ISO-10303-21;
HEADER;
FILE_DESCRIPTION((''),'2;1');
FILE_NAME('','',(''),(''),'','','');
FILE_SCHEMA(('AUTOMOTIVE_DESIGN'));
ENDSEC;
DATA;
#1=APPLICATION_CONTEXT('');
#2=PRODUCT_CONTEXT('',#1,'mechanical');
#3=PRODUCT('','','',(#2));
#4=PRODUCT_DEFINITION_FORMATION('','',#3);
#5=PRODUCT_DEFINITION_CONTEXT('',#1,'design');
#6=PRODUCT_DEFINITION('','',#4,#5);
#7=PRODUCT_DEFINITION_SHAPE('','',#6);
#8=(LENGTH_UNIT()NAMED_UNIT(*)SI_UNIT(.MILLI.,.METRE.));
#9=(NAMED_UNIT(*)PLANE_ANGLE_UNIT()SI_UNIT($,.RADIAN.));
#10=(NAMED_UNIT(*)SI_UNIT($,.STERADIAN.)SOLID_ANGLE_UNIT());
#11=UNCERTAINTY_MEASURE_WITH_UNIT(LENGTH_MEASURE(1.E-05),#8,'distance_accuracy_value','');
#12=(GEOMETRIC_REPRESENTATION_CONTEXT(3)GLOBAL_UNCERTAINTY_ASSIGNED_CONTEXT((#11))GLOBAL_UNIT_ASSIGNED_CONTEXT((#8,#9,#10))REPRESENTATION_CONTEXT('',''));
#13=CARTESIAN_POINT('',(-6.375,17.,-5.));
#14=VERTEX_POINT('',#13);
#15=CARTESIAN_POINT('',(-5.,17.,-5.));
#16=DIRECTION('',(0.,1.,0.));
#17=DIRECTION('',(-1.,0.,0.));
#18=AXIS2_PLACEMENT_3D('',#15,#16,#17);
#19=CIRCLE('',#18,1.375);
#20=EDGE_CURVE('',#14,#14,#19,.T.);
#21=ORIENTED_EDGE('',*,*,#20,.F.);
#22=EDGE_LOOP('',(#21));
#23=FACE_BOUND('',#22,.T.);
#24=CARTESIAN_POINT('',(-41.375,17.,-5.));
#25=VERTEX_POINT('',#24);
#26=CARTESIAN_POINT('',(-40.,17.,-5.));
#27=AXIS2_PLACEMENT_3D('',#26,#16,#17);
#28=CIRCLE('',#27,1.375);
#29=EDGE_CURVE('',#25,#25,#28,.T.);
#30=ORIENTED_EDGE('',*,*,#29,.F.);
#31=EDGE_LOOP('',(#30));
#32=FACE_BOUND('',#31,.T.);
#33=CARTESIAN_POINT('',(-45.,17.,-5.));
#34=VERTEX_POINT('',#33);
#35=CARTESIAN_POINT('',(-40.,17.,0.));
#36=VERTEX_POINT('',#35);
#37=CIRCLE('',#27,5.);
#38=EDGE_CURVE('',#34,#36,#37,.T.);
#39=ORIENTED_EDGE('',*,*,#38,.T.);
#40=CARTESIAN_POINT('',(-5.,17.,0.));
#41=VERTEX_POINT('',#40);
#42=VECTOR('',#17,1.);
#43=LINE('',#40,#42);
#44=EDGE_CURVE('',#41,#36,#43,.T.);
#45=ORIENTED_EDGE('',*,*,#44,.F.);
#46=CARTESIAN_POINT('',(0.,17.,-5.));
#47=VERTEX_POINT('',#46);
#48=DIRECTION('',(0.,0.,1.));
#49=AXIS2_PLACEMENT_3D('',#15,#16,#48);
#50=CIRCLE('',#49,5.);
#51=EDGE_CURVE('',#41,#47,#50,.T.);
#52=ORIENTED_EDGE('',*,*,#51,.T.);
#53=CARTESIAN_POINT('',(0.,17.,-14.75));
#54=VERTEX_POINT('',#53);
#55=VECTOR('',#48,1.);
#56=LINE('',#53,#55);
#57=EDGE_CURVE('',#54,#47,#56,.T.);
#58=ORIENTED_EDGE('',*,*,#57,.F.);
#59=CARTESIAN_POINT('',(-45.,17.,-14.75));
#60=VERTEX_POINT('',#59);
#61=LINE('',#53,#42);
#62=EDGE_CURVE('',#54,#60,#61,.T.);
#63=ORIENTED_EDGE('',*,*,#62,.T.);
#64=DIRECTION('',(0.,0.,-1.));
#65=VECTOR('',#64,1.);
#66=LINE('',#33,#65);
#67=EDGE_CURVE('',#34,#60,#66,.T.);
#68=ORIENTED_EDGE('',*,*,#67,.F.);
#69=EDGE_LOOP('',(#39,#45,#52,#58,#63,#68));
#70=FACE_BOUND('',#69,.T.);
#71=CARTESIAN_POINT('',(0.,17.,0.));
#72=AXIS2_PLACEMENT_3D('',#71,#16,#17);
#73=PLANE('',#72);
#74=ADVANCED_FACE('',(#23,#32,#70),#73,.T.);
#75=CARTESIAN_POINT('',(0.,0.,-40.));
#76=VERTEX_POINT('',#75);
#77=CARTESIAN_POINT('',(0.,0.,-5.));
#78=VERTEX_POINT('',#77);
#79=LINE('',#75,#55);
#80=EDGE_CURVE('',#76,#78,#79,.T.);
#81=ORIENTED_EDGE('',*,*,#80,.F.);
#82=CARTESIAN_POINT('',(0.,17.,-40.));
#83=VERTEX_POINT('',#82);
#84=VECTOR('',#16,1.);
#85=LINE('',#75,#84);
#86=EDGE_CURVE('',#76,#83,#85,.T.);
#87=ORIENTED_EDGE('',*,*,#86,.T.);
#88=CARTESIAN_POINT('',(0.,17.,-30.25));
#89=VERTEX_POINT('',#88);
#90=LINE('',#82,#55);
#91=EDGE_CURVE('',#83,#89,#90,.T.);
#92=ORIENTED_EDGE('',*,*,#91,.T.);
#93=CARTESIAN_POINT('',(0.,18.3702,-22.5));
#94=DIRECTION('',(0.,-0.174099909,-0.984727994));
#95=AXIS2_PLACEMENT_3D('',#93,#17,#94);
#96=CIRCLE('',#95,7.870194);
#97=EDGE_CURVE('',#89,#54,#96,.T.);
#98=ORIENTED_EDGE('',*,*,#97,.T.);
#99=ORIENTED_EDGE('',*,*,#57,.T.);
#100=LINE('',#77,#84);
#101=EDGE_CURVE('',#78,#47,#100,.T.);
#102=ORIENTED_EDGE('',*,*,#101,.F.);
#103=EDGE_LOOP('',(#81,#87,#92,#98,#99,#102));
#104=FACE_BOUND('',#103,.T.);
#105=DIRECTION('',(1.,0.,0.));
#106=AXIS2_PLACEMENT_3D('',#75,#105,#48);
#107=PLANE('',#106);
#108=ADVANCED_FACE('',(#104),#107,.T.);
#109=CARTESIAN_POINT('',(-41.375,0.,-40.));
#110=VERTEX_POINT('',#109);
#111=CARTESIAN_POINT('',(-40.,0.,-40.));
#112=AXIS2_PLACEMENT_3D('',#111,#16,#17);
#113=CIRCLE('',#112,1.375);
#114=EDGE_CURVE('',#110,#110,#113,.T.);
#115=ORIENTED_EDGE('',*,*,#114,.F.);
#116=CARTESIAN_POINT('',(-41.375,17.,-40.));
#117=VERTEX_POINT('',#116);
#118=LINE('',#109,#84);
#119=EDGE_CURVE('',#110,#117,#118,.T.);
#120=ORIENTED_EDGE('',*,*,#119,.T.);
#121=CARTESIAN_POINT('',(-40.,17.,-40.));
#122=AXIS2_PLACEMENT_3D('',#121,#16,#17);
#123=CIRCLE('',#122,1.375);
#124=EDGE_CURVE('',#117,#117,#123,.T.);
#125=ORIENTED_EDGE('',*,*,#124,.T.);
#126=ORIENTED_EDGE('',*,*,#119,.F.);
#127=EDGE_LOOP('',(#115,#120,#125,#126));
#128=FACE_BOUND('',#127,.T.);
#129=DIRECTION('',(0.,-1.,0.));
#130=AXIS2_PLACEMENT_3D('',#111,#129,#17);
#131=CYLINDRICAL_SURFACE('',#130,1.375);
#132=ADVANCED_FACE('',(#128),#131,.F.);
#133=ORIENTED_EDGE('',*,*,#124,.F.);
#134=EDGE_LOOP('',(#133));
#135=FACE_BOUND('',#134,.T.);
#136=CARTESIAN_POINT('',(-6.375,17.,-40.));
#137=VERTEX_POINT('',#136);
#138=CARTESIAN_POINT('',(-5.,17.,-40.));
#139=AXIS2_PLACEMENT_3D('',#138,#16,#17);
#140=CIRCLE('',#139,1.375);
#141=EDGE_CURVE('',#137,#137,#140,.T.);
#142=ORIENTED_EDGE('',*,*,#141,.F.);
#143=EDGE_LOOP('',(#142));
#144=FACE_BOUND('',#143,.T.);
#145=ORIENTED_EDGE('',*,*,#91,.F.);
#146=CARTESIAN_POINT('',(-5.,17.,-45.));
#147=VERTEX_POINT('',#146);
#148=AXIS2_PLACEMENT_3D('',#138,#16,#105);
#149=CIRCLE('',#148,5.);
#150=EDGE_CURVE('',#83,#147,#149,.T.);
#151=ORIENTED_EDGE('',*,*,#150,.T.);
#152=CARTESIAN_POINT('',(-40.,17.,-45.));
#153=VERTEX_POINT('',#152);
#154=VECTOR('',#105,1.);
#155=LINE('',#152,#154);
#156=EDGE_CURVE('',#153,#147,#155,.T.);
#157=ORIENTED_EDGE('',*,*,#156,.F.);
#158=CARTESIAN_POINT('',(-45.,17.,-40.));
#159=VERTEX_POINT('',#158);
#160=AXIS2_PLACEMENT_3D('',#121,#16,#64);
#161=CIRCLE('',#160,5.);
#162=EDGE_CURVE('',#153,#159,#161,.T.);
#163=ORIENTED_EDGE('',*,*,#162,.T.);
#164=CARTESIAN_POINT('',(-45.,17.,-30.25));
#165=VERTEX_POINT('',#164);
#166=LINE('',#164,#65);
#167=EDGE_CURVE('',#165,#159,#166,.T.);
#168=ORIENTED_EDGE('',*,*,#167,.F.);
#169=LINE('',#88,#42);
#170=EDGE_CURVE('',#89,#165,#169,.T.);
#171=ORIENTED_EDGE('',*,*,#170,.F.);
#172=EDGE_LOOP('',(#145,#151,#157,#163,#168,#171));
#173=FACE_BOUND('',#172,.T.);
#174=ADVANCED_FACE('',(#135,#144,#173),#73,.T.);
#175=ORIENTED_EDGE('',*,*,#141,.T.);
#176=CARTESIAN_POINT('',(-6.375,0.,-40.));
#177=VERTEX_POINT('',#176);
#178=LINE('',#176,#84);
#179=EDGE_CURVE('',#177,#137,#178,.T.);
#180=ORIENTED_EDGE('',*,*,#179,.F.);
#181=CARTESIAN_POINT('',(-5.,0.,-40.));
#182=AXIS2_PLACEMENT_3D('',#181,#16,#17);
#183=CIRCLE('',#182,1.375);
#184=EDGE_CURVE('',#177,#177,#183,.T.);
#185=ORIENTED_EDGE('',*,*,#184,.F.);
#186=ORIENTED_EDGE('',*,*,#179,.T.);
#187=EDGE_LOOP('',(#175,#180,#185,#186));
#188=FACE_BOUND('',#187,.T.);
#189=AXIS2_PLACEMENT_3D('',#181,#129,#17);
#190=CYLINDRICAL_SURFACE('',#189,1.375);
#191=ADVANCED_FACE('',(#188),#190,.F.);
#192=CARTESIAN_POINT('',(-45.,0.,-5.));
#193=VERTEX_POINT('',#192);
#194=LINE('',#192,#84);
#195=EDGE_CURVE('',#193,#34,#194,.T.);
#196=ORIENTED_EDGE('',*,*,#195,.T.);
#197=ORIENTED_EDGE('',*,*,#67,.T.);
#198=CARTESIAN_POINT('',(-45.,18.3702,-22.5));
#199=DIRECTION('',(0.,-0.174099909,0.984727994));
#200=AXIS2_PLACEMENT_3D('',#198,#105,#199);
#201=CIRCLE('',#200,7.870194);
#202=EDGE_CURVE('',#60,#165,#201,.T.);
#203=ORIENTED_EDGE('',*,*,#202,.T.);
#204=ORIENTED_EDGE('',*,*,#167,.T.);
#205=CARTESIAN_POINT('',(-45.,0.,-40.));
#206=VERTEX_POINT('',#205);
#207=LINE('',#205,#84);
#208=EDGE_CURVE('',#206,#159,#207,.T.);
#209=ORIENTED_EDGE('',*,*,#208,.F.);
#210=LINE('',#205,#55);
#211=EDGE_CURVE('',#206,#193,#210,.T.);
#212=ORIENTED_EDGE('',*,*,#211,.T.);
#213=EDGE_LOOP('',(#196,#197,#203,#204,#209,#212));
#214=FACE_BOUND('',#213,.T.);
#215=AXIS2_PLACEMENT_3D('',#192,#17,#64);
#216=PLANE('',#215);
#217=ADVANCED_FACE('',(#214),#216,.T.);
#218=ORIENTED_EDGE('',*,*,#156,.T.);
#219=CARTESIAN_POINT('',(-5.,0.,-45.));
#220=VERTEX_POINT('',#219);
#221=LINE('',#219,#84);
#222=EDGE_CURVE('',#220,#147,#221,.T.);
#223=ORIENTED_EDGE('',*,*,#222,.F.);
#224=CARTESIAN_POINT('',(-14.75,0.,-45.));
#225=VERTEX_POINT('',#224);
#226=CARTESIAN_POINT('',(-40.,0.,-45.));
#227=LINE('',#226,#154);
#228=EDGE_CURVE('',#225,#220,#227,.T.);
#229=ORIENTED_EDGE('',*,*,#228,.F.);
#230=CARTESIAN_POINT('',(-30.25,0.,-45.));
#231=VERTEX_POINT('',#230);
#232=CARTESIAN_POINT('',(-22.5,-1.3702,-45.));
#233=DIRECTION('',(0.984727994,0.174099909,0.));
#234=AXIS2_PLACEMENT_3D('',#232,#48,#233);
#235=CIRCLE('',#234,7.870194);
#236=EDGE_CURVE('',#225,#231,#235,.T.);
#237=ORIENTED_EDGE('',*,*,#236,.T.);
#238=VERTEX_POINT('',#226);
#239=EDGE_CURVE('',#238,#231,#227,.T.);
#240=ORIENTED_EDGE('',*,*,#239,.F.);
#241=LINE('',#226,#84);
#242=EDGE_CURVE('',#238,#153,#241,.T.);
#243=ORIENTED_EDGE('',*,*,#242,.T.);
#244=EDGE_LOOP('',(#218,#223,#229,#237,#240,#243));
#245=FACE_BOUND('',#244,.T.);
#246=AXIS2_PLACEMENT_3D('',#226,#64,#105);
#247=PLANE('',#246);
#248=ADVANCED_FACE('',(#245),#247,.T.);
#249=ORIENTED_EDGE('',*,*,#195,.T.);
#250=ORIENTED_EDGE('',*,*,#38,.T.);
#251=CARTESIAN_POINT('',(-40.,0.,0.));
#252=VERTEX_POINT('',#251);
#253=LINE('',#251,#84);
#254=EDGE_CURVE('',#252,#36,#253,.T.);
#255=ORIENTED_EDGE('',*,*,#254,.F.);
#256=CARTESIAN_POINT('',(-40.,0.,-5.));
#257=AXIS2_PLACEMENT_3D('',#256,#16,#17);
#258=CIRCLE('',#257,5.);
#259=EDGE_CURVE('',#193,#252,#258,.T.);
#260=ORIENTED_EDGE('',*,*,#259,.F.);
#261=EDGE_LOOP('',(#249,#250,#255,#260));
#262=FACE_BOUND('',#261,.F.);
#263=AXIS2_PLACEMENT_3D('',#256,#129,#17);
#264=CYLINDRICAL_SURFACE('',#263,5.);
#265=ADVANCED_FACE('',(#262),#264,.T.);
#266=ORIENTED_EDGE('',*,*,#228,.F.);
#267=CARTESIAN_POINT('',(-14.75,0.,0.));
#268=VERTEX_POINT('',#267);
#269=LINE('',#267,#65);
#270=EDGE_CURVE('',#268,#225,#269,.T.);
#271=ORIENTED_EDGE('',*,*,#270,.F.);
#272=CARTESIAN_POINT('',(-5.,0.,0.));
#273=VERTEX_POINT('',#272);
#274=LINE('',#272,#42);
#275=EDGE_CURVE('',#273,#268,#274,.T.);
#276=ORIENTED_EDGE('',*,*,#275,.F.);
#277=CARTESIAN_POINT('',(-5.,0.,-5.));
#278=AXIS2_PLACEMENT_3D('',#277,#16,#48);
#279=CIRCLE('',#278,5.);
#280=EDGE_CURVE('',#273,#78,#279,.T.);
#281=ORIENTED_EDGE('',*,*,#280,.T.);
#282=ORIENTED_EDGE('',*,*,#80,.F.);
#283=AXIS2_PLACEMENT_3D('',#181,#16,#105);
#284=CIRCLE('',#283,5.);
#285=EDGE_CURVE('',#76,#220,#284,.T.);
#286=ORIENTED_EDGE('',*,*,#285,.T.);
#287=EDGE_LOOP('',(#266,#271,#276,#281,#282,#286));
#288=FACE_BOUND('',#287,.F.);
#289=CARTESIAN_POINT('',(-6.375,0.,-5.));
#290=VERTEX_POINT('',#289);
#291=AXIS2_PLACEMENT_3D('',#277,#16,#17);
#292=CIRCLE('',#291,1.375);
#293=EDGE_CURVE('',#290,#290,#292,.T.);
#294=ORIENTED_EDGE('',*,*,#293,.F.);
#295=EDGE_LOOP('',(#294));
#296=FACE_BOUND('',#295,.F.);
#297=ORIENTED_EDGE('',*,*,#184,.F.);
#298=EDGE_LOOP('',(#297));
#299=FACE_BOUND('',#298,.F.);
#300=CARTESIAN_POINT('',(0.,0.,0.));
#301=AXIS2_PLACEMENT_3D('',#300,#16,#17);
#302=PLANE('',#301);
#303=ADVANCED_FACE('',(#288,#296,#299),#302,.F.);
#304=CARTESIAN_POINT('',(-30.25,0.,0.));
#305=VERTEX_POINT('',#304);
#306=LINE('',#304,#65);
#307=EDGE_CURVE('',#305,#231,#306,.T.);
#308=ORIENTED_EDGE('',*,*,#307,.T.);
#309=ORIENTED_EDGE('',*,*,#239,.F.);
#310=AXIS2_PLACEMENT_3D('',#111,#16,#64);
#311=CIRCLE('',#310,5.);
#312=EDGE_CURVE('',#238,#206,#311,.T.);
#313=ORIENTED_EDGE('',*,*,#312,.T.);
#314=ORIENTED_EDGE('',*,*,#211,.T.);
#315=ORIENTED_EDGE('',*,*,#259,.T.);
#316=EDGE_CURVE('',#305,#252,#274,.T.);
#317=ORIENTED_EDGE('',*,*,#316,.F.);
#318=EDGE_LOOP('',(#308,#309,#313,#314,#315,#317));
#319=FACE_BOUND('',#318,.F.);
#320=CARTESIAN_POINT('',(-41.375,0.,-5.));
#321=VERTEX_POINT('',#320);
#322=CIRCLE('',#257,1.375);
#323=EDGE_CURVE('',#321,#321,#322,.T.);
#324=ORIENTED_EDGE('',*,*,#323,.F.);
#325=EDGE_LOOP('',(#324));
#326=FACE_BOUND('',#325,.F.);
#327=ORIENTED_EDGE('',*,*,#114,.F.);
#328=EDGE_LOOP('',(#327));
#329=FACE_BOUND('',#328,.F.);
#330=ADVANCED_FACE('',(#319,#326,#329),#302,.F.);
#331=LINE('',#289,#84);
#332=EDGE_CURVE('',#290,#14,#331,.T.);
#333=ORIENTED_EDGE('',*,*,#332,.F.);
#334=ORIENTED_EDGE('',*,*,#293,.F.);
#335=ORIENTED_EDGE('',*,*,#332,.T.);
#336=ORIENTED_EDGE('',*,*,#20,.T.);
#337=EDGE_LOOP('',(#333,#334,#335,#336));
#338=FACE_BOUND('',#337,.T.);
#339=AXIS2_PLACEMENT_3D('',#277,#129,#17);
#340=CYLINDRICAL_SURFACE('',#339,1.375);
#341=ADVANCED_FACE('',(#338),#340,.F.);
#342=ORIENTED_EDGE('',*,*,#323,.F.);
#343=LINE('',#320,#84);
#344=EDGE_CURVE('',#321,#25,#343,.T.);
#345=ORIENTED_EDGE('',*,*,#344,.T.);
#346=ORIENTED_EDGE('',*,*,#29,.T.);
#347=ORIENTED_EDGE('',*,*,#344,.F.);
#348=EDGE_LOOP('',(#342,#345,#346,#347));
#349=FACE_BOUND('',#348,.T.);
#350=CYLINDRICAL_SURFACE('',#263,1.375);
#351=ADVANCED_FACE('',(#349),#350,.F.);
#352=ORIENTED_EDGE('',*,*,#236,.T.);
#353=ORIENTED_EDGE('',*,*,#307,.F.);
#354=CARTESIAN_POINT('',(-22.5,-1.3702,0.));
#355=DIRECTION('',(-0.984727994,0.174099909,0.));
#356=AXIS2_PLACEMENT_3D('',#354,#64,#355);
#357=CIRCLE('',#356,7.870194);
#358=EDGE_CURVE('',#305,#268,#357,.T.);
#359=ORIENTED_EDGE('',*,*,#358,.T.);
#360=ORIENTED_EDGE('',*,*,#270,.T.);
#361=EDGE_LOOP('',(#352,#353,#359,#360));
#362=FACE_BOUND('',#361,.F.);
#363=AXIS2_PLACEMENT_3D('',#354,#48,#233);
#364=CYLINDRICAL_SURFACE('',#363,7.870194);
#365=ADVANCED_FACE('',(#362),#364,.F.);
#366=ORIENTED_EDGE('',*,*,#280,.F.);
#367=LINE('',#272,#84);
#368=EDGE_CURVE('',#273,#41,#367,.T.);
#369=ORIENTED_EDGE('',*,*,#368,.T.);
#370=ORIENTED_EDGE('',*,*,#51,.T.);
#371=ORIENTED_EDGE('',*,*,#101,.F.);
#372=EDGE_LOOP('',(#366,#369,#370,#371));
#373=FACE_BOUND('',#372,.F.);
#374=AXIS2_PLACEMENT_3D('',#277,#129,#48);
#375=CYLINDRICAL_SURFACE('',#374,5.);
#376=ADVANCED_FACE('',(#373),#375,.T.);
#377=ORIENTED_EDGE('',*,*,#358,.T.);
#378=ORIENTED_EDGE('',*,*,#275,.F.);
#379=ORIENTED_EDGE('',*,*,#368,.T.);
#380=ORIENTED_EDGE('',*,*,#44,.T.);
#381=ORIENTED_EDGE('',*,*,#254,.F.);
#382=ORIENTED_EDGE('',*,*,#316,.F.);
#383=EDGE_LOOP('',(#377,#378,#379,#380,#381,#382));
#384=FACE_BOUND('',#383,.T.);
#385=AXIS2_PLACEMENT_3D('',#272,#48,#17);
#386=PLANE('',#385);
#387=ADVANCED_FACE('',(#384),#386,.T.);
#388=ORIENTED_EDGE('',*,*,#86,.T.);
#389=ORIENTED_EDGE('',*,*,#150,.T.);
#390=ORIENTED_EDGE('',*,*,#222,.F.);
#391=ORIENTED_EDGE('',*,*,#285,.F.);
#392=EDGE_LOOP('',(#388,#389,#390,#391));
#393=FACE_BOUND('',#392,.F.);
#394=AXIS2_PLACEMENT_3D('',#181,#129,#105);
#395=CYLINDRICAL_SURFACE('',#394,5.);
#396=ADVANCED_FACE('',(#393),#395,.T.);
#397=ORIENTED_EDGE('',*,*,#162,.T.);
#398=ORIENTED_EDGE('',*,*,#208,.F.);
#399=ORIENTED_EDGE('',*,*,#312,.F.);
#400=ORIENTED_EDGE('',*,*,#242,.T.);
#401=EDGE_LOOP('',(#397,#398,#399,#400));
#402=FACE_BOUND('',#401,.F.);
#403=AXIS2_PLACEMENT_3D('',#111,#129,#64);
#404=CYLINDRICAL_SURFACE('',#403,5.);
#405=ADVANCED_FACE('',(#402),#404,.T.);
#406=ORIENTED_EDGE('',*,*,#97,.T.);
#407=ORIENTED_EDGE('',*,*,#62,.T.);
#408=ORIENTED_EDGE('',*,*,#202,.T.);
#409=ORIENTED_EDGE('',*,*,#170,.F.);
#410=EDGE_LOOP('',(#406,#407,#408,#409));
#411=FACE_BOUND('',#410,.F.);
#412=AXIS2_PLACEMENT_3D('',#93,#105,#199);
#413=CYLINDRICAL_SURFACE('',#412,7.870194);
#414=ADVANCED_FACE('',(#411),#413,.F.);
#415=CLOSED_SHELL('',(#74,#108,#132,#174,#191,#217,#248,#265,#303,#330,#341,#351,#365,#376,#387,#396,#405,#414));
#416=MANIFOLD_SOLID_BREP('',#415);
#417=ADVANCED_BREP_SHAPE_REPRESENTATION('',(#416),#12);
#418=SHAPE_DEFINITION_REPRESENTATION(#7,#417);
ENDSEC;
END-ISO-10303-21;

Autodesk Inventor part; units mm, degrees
ref_plane "YZ Plane" through (0, 0, 0) normal (1, 0, 0) x (0, 1, 0)
ref_plane "XZ Plane" through (0, 0, 0) normal (0, 1, 0) x (-1, 0, 0)
ref_plane "XY Plane" through (0, 0, 0) normal (0, 0, 1) x (1, 0, 0)
sketch "Sketch1" plane through (0, 0, 0) normal (0, 1, 0) x (-1, 0, 0)
  line L0 (45, -5) -> (45, -14.75)
  line L1 (45, -14.75) -> (45, -30.25)
  line L2 (45, -30.25) -> (45, -40)
  arc A0 (40, -45) -> (45, -40) centre (40, -40) ccw
  circle A1 centre (40, -40) radius 1.375
  circle A2 centre (40, -5) radius 1.375
  arc A3 (45, -5) -> (40, 0) centre (40, -5) ccw
  line L3 (5, 0) -> (40, 0)
  circle A4 centre (5, -5) radius 1.375
  arc A5 (5, 0) -> (0, -5) centre (5, -5) ccw
  line L4 (0, -14.75) -> (0, -5)
  line L5 (0, -30.25) -> (0, -14.75)
  line L6 (0, -40) -> (0, -30.25)
  arc A6 (0, -40) -> (5, -45) centre (5, -40) ccw
  line L7 (40, -45) -> (5, -45)
  circle A7 centre (5, -40) radius 1.375
  point P0 (0, 0)
  point P1 (0, 0)
extrude "Extrusion1" add sketch "Sketch1" along normal blind 17
sketch "Sketch2" plane through (0, 0, -5) normal (1, 0, 0) x (0, 0, -1)
  line L0 (35, 0) -> (0, 0) projected
  line L1 (35, 0) -> (35, 17) projected
  line L2 (0, 17) -> (35, 17) projected
  line L3 (0, 0) -> (0, 17) projected
  line L4 (-5, 0) -> (-5, 17) projected
  line L5 (40, 0) -> (35, 0) projected
  line L6 (40, 0) -> (40, 17) projected
  line L7 (35, 17) -> (40, 17) projected
  line L8 (35, 0) -> (35, 17) projected
  line L9 (0, 0) -> (-5, 0) projected
  line L10 (0, 0) -> (0, 17) projected
  line L11 (-5, 17) -> (0, 17) projected
  line L12 (-5, 0) -> (-5, 17) projected
  line L13 (35, 17) -> (0, 17) projected
  line L14 (0, 0) -> (35, 0) projected
  line L15 (17.5, 17) -> (25.25, 17)
  line L16 (25.25, 17) -> (9.75, 17)
  line L17 (17.5, 17) -> (17.5, 10.5)
  arc A0 (9.75, 17) -> (25.25, 17) centre (17.5, 18.3702) ccw
  dimension "d8" = 7.75
  dimension "d9" = 15.5
  dimension "d10" = 6.5
extrude "Extrusion2" cut sketch "Sketch2" against normal blind 45 contours A0 L17 L2 | L2 L17 A0
sketch "Sketch3" plane through (-40, 0, 0) normal (0, 0, 1) x (1, 0, 0)
  line L0 (35, 0) -> (0, 0) projected
  line L1 (35, 0) -> (35, 17) projected
  line L2 (0, 17) -> (35, 17) construction
  line L3 (0, 0) -> (0, 17) projected
  line L4 (17.5, 0) -> (9.75, 0)
  line L5 (9.75, 0) -> (25.25, 0)
  line L6 (17.5, 0) -> (17.5, 6.5)
  arc A0 (25.25, 0) -> (9.75, 0) centre (17.5, -1.3702) ccw
  line L7 (35, 0) -> (0, 0) projected
  point P0 (40, 0)
  point P1 (17.5, 0)
  dimension "d13" = 7.75
  dimension "d14" = 15.5
  dimension "d15" = 6.5
extrude "Extrusion3" cut sketch "Sketch3" against normal blind 45
properties part number "Middle" material "PC/ABS Plastic"
